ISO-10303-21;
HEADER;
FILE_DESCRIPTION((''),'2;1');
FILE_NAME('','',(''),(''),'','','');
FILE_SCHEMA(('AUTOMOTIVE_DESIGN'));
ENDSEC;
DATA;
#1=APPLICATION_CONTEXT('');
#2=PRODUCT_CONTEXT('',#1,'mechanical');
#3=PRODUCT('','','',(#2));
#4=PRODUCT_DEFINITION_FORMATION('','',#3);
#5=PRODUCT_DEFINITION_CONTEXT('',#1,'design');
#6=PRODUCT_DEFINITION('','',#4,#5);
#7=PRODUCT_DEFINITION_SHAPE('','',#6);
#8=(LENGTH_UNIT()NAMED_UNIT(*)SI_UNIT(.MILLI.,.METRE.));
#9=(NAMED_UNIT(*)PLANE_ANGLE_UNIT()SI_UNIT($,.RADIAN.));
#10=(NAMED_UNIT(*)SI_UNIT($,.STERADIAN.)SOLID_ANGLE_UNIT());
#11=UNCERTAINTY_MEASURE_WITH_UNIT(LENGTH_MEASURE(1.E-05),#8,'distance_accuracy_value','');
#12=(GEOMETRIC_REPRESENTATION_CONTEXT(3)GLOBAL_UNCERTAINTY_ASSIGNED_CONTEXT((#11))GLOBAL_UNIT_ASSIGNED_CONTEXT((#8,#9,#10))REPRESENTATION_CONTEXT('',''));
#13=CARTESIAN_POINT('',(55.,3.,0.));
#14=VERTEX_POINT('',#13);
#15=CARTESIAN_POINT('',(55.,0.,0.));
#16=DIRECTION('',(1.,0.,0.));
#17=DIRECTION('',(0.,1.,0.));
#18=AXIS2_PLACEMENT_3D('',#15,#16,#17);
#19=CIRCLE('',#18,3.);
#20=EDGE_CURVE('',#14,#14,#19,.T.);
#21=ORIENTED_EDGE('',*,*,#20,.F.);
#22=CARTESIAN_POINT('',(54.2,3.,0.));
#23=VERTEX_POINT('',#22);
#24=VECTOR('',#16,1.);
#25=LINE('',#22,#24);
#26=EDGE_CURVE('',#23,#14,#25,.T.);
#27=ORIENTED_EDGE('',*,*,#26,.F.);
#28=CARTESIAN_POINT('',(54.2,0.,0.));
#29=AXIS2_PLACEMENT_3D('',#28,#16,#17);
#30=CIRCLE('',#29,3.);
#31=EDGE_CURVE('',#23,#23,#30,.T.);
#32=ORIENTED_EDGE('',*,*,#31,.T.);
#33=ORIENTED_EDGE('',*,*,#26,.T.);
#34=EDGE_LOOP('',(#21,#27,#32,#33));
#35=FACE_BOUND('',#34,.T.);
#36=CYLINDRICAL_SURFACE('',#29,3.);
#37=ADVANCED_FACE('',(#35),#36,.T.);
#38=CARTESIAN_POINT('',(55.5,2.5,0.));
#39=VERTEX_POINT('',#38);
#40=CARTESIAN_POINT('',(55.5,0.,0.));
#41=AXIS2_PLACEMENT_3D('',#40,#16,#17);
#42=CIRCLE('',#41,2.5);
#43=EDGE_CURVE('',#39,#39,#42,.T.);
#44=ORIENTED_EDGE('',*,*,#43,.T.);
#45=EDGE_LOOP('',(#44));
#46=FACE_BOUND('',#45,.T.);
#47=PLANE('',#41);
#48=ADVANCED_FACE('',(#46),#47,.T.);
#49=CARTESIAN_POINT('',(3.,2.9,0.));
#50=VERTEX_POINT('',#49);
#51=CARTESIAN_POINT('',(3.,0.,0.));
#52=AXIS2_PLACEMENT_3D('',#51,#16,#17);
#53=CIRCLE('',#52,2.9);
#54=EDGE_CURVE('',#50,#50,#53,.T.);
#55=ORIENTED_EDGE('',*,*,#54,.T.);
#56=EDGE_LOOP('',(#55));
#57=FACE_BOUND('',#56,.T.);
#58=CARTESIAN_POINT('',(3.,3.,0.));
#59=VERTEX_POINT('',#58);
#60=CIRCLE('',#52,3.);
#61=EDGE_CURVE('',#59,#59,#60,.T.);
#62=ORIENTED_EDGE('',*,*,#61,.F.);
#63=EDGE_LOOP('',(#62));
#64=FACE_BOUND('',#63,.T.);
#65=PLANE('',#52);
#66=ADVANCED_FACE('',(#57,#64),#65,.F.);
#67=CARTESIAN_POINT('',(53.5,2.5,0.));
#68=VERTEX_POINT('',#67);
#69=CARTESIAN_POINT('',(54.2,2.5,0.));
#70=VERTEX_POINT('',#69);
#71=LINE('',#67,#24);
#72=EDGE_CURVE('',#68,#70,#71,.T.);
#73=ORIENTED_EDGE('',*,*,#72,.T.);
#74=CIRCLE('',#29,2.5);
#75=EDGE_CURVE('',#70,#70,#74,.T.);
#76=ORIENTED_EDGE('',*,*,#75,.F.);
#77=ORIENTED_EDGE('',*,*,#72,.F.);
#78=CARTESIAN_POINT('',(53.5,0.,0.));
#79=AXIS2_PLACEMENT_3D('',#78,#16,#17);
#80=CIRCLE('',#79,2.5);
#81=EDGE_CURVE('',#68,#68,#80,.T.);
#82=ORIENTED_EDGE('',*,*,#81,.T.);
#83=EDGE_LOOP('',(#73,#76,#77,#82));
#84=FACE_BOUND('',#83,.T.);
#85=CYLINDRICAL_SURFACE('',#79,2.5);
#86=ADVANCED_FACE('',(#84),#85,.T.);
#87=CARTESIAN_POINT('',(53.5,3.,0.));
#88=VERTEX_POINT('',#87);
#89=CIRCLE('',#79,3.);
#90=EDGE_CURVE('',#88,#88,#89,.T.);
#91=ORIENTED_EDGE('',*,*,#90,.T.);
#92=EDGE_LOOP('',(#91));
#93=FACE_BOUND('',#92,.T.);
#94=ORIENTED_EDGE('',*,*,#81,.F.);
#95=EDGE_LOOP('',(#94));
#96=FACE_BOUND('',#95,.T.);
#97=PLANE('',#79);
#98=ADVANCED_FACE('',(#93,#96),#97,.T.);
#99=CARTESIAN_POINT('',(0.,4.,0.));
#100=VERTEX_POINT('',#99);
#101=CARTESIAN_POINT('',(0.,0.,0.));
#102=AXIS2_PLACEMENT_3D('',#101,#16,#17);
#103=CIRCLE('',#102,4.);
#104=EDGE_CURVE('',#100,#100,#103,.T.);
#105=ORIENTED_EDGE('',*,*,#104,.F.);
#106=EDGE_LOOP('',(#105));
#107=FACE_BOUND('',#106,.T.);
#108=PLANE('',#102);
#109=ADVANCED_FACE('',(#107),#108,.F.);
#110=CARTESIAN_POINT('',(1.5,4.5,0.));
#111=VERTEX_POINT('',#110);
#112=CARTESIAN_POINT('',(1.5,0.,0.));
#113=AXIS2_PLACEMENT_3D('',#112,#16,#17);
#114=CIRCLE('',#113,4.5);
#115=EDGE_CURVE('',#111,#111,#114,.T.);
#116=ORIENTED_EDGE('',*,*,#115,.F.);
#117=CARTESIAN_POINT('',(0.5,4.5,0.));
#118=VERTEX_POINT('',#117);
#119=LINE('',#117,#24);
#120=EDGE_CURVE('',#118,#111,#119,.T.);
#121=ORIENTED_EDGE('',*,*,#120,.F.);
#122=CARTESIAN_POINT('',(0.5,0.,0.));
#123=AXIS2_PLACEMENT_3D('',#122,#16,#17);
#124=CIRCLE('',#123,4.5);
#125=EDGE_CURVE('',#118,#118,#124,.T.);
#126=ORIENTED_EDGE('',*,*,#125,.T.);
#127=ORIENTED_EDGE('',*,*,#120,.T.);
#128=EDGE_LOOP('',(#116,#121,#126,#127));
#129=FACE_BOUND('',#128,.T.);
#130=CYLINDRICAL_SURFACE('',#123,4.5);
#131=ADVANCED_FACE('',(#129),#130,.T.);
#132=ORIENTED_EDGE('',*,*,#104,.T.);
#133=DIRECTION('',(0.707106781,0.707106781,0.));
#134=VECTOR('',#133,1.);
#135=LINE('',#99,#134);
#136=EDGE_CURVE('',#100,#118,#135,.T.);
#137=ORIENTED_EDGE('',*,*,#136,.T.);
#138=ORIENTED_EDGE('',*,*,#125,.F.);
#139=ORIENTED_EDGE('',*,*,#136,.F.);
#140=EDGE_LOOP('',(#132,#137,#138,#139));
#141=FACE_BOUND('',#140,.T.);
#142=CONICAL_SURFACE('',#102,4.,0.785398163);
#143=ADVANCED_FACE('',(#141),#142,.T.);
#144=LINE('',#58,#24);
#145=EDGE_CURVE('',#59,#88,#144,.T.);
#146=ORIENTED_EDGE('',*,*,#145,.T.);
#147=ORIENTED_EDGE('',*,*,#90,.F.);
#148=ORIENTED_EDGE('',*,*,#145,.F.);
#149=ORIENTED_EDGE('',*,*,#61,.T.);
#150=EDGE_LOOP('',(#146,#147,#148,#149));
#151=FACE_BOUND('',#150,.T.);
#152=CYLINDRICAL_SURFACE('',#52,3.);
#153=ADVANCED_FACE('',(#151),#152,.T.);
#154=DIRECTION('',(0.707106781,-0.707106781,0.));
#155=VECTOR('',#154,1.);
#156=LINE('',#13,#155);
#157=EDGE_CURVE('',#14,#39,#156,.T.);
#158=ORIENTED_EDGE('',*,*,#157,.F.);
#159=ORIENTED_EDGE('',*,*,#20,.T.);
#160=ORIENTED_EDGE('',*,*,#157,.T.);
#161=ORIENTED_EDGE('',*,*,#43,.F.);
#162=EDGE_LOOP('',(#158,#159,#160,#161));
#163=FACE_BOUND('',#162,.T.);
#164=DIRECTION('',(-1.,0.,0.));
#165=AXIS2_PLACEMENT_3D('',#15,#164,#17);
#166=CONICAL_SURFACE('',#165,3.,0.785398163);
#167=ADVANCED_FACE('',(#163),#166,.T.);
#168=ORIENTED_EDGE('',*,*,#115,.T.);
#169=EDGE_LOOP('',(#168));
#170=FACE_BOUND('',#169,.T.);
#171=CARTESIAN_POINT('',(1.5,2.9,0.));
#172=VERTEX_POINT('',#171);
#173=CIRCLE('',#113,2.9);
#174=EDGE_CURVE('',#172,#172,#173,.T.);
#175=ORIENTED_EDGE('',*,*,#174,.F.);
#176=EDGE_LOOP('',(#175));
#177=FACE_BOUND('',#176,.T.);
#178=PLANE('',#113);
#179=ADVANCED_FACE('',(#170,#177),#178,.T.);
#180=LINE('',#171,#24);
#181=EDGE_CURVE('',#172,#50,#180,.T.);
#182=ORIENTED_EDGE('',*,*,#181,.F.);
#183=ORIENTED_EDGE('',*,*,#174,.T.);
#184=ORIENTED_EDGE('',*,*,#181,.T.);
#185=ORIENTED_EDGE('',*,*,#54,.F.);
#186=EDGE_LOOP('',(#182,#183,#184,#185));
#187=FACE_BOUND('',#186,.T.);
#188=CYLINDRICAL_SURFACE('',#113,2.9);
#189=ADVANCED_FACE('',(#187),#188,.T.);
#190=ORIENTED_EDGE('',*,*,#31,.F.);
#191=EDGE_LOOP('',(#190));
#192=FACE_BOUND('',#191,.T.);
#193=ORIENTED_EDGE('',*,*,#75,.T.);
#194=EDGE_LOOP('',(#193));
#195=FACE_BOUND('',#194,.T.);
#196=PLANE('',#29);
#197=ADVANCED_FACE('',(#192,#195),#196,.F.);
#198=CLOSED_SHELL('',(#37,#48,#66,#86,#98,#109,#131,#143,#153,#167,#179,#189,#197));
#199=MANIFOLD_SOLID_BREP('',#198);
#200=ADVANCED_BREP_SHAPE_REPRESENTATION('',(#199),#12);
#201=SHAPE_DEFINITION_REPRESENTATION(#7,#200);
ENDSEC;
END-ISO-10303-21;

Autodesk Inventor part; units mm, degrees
sketch "Sketch_1" plane through (0, 0, 0) normal (0, 0, 1) x (1, 0, 0)
  line L0 (55.5, 0) -> (0, 0)
  line L1 (0, 0) -> (0, 4)
  line L2 (0, 4) -> (0.5, 4.5)
  line L3 (0.5, 4.5) -> (1.5, 4.5)
  line L4 (1.5, 4.5) -> (1.5, 2.9)
  line L5 (1.5, 2.9) -> (3, 2.9)
  line L6 (3, 2.9) -> (3, 3)
  line L7 (3, 3) -> (53.5, 3)
  line L8 (53.5, 3) -> (53.5, 2.5)
  line L9 (53.5, 2.5) -> (54.2, 2.5)
  line L10 (54.2, 2.5) -> (54.2, 3)
  line L11 (54.2, 3) -> (55, 3)
  line L12 (55, 3) -> (55.5, 2.5)
  line L13 (55.5, 2.5) -> (55.5, 0)
  line L14 (55.5, 0) -> (0, 0)
revolve "Revolution1" add sketch "Sketch_1" angle 360 about axis through (55.5, 0, 0) along (1, 0, 0)
ref_plane "pin_to_body_XY" through (1.5, 0, 0) normal (1, 0, 0) x (0, 0, -1)
ref_plane "pin_to_body_YZ" through (1.5, 0, 0) normal (0, 0, -1) x (0, 1, 0)
ref_plane "pin_to_body_ZX" through (1.5, 0, 0) normal (0, 1, 0) x (1, 0, 0)
ref_plane "pin_to_knuckle_XY" through (27.5, 0, 0) normal (-1, 0, 0) x (0, 0, -1)
ref_plane "pin_to_knuckle_YZ" through (27.5, 0, 0) normal (0, 0, -1) x (0, -1, 0)
ref_plane "pin_to_knuckle_ZX" through (27.5, 0, 0) normal (0, -1, 0) x (-1, 0, 0)
ref_plane "pin_to_rring_XY" through (53.85, 0, 0) normal (-1, 0, 0) x (0, 0, -1)
ref_plane "pin_to_rring_YZ" through (53.85, 0, 0) normal (0, 0, -1) x (0, -1, 0)
ref_plane "pin_to_rring_ZX" through (53.85, 0, 0) normal (0, -1, 0) x (-1, 0, 0)
properties part number "GSHCCGH6-52.0_D" material "ステンレス鋼"
